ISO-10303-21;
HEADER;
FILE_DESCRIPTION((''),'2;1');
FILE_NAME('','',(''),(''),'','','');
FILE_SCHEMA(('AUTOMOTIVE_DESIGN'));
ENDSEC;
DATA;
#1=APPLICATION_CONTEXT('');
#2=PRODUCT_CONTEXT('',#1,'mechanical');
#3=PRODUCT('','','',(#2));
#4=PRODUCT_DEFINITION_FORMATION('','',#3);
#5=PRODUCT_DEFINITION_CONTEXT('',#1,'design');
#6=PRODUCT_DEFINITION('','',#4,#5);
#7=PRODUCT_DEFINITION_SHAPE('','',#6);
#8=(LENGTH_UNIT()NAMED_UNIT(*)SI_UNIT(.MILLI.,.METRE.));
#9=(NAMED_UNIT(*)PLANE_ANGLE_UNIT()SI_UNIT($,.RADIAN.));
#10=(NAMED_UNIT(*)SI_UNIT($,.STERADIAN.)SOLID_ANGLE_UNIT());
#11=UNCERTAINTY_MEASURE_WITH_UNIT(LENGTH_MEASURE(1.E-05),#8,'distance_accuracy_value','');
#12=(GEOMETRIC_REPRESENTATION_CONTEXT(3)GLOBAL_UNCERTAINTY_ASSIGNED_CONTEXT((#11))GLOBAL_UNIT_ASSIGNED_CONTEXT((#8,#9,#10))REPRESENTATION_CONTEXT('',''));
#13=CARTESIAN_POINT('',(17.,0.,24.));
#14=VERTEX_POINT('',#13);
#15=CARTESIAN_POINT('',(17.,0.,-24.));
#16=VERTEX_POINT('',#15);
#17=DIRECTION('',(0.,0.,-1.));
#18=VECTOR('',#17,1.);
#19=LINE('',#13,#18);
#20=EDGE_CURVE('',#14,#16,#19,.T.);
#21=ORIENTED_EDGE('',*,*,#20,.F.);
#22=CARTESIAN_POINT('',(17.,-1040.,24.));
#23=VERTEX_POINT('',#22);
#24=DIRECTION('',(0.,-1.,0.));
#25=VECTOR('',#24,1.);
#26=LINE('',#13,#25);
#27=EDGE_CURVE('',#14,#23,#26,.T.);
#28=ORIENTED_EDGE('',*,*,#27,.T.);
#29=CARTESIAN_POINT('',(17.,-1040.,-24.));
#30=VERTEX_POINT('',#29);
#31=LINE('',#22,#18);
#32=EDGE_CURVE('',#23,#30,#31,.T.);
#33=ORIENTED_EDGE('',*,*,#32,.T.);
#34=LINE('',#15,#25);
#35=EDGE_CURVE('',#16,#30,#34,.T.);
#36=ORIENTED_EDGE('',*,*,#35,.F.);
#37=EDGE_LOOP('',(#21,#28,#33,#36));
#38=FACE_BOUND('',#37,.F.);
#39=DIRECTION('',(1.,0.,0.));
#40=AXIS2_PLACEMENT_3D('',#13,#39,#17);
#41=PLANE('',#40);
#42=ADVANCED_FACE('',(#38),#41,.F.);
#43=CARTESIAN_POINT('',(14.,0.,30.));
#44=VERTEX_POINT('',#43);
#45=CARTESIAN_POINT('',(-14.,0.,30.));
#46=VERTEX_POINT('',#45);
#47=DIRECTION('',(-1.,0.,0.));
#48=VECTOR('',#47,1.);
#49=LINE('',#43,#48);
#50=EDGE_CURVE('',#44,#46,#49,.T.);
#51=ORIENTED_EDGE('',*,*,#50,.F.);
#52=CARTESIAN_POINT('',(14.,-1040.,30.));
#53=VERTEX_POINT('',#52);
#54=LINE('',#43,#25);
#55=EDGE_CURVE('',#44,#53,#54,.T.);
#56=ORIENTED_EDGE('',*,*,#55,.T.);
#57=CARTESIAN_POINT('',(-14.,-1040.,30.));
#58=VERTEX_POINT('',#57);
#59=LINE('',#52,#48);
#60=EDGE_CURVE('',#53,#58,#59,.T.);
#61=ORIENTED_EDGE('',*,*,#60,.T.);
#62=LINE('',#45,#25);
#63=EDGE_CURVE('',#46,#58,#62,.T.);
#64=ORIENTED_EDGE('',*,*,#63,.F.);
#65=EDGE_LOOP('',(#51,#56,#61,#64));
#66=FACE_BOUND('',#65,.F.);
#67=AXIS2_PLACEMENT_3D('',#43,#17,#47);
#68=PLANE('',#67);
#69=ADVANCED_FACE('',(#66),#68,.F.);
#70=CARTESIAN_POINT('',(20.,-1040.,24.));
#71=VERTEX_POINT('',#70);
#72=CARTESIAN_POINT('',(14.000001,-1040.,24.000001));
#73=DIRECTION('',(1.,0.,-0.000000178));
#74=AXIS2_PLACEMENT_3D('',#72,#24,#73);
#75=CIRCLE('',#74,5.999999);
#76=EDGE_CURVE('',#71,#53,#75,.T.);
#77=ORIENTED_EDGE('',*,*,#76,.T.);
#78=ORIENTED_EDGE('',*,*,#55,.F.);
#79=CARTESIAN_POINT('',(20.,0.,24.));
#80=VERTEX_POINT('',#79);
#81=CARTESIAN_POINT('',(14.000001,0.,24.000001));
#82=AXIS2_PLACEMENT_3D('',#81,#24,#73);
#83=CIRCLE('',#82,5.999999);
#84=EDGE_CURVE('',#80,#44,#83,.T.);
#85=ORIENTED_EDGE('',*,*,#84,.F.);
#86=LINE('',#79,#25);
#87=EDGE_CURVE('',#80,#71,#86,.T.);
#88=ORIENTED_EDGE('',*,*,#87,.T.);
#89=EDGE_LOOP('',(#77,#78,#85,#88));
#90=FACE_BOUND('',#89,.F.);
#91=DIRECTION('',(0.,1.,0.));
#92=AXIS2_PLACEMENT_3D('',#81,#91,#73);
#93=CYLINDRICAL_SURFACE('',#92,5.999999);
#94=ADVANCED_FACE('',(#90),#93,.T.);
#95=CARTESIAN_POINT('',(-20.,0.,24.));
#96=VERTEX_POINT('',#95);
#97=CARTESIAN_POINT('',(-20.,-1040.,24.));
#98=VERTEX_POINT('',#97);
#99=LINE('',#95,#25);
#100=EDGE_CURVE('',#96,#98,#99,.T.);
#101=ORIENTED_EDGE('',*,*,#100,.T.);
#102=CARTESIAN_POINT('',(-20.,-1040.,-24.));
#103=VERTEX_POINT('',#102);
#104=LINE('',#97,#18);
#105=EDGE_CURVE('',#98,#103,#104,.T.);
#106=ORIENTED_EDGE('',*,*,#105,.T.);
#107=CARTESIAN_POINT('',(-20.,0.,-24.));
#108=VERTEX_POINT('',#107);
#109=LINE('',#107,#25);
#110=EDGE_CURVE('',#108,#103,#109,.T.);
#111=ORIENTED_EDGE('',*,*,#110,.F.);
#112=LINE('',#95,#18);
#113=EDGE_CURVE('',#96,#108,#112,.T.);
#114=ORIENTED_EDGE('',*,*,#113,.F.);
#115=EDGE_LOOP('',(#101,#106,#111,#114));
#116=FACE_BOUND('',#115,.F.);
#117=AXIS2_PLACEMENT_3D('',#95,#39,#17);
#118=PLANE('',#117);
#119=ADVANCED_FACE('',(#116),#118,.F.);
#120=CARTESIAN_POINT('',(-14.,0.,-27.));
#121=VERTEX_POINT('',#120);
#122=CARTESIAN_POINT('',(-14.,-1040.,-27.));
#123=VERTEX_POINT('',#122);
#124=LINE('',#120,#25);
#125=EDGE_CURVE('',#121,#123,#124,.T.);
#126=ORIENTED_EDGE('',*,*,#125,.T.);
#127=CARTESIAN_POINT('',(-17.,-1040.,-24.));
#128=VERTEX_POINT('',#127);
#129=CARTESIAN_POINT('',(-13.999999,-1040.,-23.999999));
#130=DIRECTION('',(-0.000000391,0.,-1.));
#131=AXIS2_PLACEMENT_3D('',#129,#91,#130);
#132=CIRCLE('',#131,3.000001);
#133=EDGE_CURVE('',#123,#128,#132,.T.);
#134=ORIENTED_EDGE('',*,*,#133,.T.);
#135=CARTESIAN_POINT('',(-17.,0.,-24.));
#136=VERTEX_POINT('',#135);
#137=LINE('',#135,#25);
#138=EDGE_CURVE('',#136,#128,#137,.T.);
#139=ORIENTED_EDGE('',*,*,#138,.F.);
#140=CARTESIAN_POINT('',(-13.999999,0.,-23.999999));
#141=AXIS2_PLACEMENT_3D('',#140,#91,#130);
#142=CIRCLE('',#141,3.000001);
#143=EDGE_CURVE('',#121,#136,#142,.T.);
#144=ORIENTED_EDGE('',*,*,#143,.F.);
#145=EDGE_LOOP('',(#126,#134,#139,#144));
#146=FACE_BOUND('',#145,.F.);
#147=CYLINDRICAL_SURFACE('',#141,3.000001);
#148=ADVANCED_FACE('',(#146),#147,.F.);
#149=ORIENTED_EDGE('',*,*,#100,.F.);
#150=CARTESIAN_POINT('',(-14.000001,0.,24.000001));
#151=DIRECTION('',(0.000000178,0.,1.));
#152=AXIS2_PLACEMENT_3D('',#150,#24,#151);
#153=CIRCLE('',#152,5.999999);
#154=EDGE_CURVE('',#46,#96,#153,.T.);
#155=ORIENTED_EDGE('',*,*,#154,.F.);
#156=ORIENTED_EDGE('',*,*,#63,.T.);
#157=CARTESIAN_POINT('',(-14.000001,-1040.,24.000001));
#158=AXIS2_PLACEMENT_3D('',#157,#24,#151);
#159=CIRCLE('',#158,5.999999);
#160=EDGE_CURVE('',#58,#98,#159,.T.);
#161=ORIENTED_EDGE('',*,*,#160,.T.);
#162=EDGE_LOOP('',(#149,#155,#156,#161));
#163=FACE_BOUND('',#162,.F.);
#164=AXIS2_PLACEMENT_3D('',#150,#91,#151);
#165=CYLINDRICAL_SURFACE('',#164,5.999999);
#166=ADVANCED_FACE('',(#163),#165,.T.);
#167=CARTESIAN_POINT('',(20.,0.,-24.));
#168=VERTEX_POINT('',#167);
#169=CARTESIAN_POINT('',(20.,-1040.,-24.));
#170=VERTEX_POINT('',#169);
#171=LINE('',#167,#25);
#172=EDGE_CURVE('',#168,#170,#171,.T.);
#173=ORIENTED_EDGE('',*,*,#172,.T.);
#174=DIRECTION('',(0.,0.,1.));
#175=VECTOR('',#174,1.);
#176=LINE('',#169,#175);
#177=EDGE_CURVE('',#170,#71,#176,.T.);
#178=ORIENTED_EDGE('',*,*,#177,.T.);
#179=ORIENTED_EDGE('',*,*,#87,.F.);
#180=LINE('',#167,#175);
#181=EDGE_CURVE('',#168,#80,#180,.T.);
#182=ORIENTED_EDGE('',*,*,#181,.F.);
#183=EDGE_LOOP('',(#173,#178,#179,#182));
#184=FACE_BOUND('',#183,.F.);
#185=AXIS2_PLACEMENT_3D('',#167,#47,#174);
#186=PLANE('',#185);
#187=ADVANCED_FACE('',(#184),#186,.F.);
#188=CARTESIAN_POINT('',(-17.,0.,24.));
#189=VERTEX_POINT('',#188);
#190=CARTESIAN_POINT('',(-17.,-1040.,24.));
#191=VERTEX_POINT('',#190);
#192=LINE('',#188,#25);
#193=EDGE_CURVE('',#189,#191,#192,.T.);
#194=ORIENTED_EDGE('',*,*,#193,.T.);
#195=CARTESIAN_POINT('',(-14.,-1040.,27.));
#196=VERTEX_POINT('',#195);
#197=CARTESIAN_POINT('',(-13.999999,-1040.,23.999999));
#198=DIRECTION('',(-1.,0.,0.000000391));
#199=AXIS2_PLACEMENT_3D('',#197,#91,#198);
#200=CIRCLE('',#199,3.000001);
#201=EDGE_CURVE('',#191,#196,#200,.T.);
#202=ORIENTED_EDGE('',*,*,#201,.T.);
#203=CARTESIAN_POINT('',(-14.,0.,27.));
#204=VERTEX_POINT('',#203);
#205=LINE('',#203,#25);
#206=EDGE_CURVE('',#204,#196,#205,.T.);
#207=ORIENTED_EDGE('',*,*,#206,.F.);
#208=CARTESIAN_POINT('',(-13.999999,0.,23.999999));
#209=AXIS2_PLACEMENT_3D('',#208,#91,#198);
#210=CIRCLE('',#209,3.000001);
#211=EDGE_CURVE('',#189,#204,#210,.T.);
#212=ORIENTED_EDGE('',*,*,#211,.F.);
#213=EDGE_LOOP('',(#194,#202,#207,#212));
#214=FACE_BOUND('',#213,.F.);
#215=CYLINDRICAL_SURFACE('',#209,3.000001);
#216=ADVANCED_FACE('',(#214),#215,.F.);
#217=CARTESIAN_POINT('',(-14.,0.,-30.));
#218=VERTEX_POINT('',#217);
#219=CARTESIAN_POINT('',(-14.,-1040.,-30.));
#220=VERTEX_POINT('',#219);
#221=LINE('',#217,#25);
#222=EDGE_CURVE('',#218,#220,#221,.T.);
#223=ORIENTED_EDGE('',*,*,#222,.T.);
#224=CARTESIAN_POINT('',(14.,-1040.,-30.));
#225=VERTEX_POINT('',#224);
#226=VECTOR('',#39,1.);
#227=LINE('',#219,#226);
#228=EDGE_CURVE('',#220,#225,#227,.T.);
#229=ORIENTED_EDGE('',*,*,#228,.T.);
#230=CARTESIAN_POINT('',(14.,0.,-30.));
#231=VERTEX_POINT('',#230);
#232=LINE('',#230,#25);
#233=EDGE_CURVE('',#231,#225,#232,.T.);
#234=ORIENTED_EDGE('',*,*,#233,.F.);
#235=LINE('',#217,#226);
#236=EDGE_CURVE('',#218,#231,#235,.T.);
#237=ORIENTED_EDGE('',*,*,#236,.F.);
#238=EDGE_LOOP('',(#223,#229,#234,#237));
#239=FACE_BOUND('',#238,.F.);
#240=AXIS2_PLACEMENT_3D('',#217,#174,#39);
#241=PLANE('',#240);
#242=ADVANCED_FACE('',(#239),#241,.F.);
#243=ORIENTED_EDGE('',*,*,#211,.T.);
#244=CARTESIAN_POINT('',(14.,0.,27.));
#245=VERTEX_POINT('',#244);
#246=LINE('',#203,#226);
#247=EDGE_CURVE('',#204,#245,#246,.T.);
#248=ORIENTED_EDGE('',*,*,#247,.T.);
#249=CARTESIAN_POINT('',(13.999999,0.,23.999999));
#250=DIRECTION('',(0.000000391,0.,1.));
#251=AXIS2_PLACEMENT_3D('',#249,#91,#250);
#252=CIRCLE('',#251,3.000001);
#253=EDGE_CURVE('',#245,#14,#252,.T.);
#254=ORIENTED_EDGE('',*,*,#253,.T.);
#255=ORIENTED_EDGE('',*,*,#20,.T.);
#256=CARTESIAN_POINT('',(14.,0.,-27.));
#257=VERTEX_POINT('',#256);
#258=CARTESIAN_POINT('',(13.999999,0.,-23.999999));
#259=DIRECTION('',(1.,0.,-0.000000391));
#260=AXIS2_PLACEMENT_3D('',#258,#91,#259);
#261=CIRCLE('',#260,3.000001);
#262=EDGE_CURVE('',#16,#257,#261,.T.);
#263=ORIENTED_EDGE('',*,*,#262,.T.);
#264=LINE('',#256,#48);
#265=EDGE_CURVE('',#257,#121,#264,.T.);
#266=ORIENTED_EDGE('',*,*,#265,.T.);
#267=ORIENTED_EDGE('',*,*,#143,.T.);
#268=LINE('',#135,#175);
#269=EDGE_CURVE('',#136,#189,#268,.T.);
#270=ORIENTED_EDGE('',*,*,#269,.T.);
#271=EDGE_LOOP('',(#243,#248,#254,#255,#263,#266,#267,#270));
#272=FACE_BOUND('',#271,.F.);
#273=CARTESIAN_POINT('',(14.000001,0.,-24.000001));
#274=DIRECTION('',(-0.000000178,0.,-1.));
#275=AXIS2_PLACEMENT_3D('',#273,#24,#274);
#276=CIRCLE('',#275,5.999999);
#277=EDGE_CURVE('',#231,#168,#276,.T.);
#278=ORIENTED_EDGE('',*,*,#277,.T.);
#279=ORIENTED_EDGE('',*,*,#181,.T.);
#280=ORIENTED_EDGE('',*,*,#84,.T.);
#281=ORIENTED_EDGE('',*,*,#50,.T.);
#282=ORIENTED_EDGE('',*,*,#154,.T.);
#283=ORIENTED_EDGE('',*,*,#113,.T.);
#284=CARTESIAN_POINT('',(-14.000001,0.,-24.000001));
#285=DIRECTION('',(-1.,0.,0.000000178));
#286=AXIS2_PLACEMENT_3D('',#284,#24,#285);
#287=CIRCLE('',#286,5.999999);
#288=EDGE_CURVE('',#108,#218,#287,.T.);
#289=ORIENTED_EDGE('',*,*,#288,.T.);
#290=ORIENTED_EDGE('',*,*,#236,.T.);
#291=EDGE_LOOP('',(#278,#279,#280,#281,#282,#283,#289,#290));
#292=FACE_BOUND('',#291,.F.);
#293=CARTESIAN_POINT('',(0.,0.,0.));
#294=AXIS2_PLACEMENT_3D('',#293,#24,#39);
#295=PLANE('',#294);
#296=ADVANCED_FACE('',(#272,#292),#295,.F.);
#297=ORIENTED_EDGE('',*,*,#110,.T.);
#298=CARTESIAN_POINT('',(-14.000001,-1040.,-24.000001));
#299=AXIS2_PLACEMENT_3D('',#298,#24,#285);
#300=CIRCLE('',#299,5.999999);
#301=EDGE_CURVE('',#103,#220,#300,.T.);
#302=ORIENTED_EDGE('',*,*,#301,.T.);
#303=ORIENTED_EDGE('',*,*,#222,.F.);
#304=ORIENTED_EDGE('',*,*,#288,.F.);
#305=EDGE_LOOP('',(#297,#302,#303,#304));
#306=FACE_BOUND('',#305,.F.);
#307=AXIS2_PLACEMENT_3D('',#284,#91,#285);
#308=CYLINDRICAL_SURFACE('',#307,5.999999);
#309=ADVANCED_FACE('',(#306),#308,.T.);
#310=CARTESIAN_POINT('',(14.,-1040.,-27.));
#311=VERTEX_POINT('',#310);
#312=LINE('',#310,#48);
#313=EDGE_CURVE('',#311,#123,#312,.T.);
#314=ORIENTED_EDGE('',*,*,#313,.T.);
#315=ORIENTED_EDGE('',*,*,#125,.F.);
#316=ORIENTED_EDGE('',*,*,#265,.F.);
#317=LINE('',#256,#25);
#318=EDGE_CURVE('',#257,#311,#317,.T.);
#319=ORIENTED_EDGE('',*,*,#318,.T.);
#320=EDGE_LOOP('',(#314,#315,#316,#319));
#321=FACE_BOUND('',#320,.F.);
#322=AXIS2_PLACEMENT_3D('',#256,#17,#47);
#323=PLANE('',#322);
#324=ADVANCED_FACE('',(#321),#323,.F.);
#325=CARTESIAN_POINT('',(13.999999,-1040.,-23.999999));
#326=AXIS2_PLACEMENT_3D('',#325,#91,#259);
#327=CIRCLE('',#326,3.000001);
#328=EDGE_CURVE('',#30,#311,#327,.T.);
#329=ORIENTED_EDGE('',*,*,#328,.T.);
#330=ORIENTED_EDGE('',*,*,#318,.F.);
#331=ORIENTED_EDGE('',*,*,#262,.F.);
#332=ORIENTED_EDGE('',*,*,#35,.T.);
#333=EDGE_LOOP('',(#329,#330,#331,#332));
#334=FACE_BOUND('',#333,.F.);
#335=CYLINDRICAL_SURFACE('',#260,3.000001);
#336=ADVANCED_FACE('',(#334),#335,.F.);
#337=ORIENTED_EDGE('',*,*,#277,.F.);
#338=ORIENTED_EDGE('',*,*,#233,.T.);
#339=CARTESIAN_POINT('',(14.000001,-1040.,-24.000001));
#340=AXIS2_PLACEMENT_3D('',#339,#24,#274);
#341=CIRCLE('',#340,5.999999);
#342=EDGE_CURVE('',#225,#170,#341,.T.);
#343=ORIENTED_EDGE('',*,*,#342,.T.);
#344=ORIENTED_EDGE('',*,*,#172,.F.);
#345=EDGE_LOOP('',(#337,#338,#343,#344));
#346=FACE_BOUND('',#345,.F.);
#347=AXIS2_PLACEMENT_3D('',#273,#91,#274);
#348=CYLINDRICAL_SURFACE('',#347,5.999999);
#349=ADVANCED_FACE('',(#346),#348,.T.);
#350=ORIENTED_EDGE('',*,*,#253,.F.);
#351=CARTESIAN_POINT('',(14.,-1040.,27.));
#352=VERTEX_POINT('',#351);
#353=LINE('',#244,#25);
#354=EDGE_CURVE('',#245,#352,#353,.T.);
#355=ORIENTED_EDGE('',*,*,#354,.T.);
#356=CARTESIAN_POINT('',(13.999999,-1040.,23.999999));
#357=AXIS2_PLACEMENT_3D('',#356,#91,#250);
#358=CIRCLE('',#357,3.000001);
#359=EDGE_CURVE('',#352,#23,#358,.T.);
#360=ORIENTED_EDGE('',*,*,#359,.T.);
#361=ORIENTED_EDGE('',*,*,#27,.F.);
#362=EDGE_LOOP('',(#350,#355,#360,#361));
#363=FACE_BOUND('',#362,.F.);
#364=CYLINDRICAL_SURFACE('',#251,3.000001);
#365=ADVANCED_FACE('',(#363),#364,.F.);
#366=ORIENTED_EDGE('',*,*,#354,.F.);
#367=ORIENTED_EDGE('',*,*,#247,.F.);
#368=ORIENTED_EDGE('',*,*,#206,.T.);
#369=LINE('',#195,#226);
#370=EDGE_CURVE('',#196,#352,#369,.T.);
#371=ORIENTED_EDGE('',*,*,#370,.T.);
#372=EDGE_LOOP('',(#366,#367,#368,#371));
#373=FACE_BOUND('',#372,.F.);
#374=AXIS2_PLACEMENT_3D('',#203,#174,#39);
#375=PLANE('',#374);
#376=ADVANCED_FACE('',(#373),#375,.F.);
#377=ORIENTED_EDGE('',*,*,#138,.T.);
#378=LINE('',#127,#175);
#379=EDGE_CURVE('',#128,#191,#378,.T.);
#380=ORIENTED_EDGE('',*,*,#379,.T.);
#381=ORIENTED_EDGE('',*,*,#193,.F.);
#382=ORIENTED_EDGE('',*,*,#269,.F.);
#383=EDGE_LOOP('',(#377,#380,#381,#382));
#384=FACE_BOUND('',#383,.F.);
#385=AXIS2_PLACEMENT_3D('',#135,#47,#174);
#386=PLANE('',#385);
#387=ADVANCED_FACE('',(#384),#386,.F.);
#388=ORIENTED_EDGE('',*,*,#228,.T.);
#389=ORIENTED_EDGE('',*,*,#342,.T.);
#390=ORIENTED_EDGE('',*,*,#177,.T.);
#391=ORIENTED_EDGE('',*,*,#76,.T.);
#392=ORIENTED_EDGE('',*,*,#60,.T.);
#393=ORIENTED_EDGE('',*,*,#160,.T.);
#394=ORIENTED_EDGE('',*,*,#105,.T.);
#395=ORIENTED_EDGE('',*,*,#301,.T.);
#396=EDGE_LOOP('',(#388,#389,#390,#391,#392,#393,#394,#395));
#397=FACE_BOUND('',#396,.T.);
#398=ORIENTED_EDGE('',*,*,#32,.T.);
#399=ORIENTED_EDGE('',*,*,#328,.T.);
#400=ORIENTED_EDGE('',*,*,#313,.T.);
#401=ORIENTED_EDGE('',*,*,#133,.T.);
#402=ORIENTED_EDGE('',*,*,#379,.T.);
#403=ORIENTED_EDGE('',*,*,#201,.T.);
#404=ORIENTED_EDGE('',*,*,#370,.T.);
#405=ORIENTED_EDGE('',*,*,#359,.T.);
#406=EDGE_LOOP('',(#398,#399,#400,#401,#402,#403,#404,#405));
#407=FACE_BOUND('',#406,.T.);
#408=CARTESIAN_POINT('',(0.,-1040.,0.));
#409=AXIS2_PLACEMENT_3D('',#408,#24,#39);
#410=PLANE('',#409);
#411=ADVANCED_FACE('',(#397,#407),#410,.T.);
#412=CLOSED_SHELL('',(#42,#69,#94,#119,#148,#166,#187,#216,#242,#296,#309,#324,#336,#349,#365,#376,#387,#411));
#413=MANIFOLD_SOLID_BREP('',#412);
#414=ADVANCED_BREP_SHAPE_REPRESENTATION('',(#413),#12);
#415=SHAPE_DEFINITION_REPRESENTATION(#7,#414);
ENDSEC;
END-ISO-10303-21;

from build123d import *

# Parameters (mm, degrees)
F1_DEPTH = 1040


with BuildPart() as f1:
    # F0 (on Front) → F1 (new body)
    with BuildSketch(Plane.XZ):
        with BuildLine():
            Line((14, 30), (-14, 30))
            ThreePointArc((-14, 30), (-18.242641, 28.242641), (-20, 24))
            Line((-20, 24), (-20, -24))
            ThreePointArc((-20, -24), (-18.242641, -28.242641), (-14, -30))
            Line((-14, -30), (14, -30))
            ThreePointArc((14, -30), (18.242641, -28.242641), (20, -24))
            Line((20, -24), (20, 24))
            ThreePointArc((20, 24), (18.242641, 28.242641), (14, 30))
        make_face()
        with BuildLine():
            Line((-17, -24), (-17, 24))
            ThreePointArc((-17, 24), (-16.12132, 26.12132), (-14, 27))
            Line((-14, 27), (14, 27))
            ThreePointArc((14, 27), (16.12132, 26.12132), (17, 24))
            Line((17, 24), (17, -24))
            ThreePointArc((17, -24), (16.12132, -26.12132), (14, -27))
            Line((14, -27), (-14, -27))
            ThreePointArc((-14, -27), (-16.12132, -26.12132), (-17, -24))
        make_face(mode=Mode.SUBTRACT)
    extrude(amount=F1_DEPTH)


solid = f1.part
